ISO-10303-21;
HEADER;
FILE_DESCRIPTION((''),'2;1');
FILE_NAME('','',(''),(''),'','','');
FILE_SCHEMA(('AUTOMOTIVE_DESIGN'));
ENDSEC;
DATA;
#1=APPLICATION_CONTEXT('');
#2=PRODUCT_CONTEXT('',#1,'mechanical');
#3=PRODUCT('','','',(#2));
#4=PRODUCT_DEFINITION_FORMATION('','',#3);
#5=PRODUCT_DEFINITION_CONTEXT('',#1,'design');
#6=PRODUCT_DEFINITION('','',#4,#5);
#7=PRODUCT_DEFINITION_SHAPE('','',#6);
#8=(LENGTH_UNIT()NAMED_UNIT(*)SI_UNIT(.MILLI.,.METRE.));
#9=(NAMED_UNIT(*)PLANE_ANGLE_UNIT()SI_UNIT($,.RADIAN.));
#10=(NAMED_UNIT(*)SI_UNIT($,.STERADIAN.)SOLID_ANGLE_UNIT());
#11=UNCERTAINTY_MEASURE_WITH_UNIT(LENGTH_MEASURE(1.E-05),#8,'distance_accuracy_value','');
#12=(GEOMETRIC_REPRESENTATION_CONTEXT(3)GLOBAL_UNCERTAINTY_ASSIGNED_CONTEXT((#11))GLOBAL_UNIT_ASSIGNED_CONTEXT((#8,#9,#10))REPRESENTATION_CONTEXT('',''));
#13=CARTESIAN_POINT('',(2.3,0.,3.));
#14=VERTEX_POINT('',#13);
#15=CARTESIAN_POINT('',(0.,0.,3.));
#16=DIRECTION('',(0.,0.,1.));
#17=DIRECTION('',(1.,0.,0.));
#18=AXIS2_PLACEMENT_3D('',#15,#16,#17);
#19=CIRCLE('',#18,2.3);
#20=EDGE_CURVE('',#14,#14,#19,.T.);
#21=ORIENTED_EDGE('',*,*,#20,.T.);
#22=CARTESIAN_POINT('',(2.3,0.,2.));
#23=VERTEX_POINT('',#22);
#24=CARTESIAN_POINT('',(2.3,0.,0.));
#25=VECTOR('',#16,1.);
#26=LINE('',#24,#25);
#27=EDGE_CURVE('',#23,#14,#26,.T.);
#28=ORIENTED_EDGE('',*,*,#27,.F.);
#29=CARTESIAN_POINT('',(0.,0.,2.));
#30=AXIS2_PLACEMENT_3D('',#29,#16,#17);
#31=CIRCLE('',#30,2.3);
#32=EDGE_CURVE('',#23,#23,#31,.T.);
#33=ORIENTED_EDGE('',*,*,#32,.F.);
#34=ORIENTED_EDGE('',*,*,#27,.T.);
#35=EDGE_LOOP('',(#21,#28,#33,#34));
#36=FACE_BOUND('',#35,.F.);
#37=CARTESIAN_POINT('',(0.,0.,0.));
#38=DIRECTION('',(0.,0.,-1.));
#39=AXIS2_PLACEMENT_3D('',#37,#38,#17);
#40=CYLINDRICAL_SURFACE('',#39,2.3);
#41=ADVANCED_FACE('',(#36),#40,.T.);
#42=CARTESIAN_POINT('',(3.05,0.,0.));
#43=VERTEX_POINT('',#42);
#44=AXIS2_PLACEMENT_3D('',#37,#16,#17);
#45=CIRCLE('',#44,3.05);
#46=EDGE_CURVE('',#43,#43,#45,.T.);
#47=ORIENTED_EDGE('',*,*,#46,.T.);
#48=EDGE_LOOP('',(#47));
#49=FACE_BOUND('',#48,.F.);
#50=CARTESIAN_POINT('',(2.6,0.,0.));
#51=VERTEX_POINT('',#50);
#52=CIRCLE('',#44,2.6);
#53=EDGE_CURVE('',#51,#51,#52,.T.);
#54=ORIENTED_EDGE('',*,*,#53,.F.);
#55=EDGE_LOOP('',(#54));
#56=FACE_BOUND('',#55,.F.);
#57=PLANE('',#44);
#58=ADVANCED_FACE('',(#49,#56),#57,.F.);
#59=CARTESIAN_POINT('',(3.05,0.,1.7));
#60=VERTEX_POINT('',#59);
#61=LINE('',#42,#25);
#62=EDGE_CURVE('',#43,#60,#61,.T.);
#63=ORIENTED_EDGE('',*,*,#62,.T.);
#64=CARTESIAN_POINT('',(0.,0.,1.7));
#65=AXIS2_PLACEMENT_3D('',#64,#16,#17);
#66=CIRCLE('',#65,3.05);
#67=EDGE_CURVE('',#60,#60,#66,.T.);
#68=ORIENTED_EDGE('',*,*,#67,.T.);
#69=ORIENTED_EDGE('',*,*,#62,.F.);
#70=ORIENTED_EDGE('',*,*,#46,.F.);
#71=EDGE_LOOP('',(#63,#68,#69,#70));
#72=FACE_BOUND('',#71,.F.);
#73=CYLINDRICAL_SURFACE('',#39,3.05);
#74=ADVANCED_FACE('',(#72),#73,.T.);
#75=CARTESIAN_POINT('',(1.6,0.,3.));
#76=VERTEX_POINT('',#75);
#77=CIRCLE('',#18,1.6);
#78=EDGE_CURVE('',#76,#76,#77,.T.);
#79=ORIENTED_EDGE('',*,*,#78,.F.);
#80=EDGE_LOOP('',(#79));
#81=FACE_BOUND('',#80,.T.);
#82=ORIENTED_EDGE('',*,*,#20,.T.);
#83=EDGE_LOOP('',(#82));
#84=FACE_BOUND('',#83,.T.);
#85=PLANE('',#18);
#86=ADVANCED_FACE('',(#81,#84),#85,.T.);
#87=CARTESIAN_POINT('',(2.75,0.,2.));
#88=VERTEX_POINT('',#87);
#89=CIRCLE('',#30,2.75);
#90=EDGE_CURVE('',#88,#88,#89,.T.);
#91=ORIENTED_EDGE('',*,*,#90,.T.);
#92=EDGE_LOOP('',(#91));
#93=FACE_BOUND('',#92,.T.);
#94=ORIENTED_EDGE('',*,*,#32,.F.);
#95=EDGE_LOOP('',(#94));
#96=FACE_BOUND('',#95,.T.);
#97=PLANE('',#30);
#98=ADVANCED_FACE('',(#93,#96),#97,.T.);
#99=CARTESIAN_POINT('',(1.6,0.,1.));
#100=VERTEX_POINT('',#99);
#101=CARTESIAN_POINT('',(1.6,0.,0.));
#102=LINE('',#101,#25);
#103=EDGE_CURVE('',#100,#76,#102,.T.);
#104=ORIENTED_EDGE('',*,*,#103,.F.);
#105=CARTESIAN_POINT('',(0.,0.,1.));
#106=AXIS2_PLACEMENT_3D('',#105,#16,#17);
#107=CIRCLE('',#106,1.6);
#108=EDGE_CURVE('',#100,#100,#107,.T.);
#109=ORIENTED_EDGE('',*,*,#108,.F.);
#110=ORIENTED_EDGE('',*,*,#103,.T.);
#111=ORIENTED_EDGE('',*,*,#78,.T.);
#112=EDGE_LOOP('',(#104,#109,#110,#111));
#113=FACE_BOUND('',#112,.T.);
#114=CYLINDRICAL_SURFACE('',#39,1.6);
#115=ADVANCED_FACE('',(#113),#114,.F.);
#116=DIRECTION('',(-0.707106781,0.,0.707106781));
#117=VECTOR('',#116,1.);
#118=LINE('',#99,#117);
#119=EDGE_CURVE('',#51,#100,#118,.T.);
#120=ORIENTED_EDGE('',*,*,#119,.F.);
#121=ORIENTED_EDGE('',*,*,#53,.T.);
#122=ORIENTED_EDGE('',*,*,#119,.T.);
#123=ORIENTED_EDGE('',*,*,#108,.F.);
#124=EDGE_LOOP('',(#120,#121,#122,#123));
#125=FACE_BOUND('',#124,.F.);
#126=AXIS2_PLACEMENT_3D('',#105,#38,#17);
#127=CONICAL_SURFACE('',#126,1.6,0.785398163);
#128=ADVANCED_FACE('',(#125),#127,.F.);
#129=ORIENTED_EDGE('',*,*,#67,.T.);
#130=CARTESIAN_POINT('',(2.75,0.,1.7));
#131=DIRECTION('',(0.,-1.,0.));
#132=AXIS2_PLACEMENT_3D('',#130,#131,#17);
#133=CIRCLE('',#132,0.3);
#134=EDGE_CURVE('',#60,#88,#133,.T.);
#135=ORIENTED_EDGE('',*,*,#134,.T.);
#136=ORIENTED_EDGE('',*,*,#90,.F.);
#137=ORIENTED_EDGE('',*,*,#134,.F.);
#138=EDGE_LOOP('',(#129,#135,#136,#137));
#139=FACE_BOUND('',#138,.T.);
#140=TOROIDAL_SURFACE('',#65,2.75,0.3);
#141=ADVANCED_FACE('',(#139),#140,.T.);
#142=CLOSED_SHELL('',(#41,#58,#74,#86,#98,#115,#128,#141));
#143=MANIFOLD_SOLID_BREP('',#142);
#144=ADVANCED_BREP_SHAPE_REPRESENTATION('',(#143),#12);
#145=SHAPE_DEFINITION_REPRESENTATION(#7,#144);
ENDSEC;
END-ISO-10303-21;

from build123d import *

# Parameters (mm, degrees)
F0_R     = 2.3
F0_R_2   = 1.6
F1_DEPTH = 3
F0_R_3   = 3.05
F2_DEPTH = 2
F3_R     = 0.3
F4_SIZE  = 1


with BuildPart() as f1:
    # F0 (on Top) → F1 (new body)
    with BuildSketch(Plane.XY):
        Circle(F0_R)
        Circle(F0_R_2, mode=Mode.SUBTRACT)
    extrude(amount=F1_DEPTH)

    # F0 (on Top) → F2 (join)
    with BuildSketch(Plane.XY):
        Circle(F0_R_3)
        Circle(F0_R, mode=Mode.SUBTRACT)
    extrude(amount=F2_DEPTH)

    # F3
    f3_edges = [f1.edges().sort_by_distance(p)[0] for p in [
        (-3.05, 0, 2),
    ]]
    fillet(f3_edges, radius=F3_R)

    # F4
    f4_edges = [f1.edges().sort_by_distance(p)[0] for p in [
        (-1.6, 0, 0),
    ]]
    chamfer(f4_edges, length=F4_SIZE)


solid = f1.part
